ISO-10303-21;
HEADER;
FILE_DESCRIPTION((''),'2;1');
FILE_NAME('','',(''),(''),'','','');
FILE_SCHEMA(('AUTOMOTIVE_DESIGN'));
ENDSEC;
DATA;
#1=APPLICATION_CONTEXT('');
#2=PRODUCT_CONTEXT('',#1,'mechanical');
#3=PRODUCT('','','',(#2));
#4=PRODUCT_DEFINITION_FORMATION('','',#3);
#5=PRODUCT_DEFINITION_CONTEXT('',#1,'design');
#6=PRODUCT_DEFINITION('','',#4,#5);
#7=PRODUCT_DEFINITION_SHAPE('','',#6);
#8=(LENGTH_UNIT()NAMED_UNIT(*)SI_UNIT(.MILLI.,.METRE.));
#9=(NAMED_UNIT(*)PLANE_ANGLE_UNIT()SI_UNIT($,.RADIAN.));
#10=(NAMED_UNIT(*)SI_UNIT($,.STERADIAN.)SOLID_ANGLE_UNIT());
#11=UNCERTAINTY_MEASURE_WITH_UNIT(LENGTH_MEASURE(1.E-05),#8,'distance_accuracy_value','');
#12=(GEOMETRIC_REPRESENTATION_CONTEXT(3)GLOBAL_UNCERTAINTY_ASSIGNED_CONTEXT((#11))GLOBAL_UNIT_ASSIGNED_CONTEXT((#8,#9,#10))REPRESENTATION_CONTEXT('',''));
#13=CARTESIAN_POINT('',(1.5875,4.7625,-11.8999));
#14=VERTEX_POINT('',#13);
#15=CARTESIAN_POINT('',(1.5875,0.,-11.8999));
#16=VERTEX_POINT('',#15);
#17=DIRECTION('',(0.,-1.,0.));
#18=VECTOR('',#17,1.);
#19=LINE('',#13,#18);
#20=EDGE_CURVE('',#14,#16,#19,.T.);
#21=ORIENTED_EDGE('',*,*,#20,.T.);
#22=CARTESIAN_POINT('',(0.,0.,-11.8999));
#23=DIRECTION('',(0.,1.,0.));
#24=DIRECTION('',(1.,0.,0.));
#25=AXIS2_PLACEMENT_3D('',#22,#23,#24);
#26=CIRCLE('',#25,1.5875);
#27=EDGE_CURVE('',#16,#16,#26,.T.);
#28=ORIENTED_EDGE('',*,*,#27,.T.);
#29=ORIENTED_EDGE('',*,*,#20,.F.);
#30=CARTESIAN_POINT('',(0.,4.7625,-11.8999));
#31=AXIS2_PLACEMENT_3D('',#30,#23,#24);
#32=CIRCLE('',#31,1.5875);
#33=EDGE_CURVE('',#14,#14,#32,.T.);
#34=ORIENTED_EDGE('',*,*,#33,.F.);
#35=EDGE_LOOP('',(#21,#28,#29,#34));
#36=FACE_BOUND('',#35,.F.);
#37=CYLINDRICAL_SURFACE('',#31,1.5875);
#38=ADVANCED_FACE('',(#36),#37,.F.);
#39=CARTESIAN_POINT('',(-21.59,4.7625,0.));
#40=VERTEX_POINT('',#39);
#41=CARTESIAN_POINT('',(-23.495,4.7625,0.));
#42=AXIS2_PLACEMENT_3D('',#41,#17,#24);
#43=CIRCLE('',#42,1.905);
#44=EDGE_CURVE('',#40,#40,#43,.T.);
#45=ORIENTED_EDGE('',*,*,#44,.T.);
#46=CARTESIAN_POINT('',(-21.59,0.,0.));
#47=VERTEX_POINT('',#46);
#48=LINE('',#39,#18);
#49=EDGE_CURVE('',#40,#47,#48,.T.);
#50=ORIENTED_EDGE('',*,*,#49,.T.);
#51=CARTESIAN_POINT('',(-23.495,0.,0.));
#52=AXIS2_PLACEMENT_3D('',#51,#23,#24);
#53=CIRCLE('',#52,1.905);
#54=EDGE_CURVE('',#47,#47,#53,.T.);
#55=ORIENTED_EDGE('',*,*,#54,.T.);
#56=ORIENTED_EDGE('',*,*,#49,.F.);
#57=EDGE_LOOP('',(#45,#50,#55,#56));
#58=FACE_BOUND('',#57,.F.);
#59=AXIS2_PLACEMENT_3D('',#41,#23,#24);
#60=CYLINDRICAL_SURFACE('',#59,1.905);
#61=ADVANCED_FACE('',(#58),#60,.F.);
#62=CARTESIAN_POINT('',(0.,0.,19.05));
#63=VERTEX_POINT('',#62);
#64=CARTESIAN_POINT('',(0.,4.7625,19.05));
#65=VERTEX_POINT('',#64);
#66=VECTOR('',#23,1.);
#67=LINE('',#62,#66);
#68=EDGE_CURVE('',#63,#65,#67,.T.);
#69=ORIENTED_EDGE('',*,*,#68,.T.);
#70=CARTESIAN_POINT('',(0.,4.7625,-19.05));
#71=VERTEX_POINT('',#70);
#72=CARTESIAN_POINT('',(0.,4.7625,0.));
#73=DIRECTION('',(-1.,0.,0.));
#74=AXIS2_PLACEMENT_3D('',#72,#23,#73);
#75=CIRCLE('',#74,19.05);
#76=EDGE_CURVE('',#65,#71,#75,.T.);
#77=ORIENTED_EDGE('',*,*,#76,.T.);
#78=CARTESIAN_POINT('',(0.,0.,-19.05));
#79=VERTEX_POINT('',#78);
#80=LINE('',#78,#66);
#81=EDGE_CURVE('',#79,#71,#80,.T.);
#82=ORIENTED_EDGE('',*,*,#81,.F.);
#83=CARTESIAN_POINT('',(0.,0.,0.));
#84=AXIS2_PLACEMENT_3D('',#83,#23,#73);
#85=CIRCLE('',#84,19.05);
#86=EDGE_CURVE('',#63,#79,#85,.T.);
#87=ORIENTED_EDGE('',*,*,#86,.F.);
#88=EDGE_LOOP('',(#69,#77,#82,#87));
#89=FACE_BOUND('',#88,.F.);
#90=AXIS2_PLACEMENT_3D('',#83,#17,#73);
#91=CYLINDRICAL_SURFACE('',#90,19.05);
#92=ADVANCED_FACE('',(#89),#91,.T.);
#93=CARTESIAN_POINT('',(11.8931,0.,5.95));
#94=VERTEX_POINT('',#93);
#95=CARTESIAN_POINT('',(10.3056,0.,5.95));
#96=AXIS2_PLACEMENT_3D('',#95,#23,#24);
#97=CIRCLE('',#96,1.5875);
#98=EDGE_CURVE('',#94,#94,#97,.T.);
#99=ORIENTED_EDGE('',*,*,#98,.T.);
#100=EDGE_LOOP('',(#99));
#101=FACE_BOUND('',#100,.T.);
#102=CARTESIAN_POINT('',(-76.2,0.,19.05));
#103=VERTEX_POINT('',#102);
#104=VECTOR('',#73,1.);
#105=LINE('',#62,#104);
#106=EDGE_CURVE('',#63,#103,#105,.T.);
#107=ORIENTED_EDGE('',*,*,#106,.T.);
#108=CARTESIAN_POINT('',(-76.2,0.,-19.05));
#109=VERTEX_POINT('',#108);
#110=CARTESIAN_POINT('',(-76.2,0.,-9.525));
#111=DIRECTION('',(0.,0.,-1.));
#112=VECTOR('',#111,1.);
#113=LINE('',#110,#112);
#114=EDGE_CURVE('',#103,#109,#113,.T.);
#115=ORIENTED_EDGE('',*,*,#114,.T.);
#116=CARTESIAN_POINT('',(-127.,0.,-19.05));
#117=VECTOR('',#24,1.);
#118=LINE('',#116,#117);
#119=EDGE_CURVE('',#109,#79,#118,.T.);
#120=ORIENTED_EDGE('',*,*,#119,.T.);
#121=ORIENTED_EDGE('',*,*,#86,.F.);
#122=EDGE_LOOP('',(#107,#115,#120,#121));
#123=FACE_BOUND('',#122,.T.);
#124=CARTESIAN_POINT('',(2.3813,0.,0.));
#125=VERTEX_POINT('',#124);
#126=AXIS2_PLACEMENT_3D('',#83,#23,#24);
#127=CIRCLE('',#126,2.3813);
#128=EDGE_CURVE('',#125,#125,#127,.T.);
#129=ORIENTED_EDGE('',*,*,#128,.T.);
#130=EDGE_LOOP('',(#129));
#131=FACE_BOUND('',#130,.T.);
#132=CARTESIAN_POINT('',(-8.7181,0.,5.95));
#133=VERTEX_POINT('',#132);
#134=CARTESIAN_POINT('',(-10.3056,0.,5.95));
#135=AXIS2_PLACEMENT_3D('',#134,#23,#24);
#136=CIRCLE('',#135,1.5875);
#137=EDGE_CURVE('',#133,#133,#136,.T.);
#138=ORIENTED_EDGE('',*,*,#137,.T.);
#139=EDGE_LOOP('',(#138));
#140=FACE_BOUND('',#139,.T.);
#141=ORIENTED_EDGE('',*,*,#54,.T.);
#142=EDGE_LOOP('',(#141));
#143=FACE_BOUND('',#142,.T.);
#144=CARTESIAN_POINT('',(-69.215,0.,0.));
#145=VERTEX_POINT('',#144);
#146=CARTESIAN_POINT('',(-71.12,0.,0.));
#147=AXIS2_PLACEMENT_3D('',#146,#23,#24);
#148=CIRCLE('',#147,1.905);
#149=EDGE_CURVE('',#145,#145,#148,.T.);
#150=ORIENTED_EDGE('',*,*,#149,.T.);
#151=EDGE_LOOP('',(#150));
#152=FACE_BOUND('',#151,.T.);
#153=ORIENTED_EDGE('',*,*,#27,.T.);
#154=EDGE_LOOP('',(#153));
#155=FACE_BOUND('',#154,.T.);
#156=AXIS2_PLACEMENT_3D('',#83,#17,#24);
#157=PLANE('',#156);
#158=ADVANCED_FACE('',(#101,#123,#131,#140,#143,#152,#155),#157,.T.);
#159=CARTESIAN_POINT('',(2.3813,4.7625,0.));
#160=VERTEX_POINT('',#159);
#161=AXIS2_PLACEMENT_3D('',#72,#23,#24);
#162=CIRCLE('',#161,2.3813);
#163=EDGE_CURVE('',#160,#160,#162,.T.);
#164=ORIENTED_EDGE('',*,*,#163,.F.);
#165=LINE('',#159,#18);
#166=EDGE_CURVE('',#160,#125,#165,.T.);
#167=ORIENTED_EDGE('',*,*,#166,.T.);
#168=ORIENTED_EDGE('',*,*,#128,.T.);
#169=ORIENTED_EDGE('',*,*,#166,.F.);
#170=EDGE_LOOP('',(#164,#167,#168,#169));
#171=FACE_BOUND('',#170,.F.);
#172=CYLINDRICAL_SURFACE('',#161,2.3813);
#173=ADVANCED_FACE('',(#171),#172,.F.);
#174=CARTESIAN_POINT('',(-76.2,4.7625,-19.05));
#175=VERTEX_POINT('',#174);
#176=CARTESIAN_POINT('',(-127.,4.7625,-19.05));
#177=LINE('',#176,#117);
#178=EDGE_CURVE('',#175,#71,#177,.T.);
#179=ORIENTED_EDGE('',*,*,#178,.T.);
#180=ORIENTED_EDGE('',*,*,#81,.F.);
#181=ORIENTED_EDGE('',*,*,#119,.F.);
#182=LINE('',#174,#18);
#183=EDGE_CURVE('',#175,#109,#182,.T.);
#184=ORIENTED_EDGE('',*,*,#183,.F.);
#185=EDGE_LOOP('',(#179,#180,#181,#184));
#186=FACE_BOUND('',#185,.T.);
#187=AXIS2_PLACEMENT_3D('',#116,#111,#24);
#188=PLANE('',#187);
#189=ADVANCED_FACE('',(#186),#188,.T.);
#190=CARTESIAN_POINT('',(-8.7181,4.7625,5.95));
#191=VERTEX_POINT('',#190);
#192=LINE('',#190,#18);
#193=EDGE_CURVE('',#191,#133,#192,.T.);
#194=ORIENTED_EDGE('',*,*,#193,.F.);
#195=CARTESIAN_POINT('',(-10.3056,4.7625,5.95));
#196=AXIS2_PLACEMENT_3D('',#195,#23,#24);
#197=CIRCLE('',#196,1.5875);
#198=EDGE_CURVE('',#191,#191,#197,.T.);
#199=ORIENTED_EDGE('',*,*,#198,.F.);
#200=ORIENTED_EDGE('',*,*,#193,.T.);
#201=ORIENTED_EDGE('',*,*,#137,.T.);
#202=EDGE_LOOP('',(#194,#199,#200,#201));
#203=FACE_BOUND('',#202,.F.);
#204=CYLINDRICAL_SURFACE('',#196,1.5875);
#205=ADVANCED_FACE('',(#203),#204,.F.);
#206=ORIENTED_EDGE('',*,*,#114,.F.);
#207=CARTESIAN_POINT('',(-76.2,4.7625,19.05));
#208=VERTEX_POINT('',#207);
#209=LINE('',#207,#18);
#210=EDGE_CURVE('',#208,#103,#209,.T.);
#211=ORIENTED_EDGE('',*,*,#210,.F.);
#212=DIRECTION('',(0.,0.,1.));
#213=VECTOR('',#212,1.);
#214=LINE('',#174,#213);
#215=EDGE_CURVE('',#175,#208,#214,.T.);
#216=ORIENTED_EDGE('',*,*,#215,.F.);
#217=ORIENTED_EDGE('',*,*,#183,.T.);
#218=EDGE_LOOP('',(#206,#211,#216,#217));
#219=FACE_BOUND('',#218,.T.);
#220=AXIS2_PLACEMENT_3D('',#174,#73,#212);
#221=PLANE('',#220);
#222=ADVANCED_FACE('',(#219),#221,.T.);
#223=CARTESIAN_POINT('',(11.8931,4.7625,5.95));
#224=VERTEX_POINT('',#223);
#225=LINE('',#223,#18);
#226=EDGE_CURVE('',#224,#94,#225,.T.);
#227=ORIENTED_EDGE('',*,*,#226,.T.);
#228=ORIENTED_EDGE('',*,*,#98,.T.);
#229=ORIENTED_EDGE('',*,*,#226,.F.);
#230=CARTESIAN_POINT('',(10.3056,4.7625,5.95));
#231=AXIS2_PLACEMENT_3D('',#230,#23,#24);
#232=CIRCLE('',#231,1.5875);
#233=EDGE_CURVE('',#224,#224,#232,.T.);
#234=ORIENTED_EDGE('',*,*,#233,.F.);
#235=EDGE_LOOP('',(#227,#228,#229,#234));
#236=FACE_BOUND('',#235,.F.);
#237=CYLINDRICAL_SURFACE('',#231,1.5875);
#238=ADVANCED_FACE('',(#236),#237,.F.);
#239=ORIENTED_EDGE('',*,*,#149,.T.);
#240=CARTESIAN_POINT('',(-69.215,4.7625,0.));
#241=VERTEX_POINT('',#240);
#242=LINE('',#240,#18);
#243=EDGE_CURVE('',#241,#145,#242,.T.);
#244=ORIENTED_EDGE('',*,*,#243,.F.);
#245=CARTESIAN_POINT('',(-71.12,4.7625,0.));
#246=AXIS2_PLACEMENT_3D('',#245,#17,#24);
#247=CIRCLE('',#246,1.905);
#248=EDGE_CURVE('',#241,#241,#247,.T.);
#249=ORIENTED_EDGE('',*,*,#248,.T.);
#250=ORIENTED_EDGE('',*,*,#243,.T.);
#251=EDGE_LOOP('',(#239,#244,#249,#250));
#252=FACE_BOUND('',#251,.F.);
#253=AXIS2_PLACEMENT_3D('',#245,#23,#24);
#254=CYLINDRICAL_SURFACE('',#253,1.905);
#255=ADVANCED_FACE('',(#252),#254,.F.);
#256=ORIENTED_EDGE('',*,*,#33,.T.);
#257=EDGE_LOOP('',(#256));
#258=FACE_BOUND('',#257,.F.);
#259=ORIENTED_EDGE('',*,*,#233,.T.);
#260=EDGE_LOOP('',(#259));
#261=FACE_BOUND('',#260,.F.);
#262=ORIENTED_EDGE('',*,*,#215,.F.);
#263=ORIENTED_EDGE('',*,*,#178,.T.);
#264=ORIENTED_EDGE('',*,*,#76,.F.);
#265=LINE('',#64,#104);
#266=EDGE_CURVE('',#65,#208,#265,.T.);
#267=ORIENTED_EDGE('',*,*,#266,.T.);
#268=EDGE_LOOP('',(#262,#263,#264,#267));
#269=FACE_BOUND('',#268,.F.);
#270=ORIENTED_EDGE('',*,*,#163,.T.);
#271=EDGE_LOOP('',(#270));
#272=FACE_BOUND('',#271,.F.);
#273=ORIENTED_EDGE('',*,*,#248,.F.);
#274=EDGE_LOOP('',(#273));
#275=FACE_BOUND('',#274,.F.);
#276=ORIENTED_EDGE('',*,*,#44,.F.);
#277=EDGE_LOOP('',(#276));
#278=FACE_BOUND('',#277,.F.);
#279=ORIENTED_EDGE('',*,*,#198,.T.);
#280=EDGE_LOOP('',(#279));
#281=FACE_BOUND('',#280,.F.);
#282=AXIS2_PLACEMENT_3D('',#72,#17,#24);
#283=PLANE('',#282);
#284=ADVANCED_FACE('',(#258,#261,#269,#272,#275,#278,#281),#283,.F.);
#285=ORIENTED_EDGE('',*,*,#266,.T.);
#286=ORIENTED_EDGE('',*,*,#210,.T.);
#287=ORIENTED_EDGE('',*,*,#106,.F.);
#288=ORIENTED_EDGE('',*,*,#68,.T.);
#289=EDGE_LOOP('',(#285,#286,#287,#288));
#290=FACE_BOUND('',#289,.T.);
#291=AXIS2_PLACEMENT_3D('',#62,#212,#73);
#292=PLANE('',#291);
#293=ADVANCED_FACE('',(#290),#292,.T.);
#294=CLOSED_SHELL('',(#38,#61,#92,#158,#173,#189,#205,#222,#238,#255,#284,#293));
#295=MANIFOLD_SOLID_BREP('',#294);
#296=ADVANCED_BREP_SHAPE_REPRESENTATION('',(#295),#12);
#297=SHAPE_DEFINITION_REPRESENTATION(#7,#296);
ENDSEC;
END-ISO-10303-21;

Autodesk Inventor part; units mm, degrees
ref_plane "YZ Plane" through (0, 0, 0) normal (1, 0, 0) x (0, 1, 0)
ref_plane "XZ Plane" through (0, 0, 0) normal (0, 1, 0) x (-1, 0, 0)
ref_plane "XY Plane" through (0, 0, 0) normal (0, 0, 1) x (1, 0, 0)
sketch "Sketch1" plane through (0, 0, 0) normal (0, 1, 0) x (-1, 0, 0)
  circle A0 centre (0, 0) radius 19.05
  dimension "d0" = 38.1
extrude "Extrusion1" add sketch "Sketch1" along normal blind 4.7625
sketch "Sketch2" plane through (0, 4.7625, 0) normal (0, 1, 0) x (1, 0, 0)
  circle A0 centre (0, 0) radius 2.3813
  circle A1 centre (0, 0) radius 19.05 projected
  circle A2 centre (-10.3056, -5.95) radius 1.5875
  circle A3 centre (0, 11.8999) radius 1.5875
  circle A4 centre (10.3056, -5.95) radius 1.5875
  dimension "d3" = 4.7625
  dimension "d4" = 3.175
  dimension "d5" = 3.175
  dimension "d6" = 3.175
extrude "Extrusion2" cut sketch "Sketch2" against normal blind 4.7625 contours A0 | A2 | A3 | A4
sketch "Sketch3" plane through (0, 0, 0) normal (0, -1, 0) x (1, 0, 0)
  circle A0 centre (0, 0) radius 19.05 projected
  line L0 (0, -19.05) -> (0, 19.05)
  line L1 (0, 19.05) -> (-127, 19.05)
  line L2 (-127, 19.05) -> (-127, -19.05)
  line L3 (-127, -19.05) -> (0, -19.05)
  dimension "d9" = 127
extrude "Extrusion3" add sketch "Sketch3" against normal blind 4.7625 contours A0 L3 L2 L1
sketch "Sketch4" plane through (0, 4.7625, 0) normal (0, 1, 0) x (1, 0, 0)
  line L0 (-127, 19.05) -> (-127, -19.05) projected
  line L1 (-127, 19.05) -> (-76.2, 19.05)
  line L2 (-76.2, 19.05) -> (-76.2, -19.05)
  line L3 (-76.2, -19.05) -> (-127, -19.05)
  line L4 (-127, -19.05) -> (-127, 19.05)
  point P0 (0, 0)
  dimension "d12" = 50.8
extrude "Extrusion4" cut sketch "Sketch4" against normal blind 25.4
sketch "Sketch5" plane through (0, 4.7625, 0) normal (0, 1, 0) x (1, 0, 0)
  line L0 (-76.2, 19.05) -> (-76.2, -19.05) projected
  line L1 (-76.2, 0) -> (-71.12, 0)
  circle A0 centre (-71.12, 0) radius 1.905
  line L2 (-71.12, 0) -> (-23.495, 0)
  circle A1 centre (-23.495, 0) radius 1.905
  point P0 (0, 0)
  dimension "d15" = 5.08
  dimension "d16" = 3.81
  dimension "d17" = 47.625
  dimension "d18" = 3.81
extrude "Extrusion5" cut sketch "Sketch5" against normal blind 25.4
properties part number "Robotics_PenMount"
